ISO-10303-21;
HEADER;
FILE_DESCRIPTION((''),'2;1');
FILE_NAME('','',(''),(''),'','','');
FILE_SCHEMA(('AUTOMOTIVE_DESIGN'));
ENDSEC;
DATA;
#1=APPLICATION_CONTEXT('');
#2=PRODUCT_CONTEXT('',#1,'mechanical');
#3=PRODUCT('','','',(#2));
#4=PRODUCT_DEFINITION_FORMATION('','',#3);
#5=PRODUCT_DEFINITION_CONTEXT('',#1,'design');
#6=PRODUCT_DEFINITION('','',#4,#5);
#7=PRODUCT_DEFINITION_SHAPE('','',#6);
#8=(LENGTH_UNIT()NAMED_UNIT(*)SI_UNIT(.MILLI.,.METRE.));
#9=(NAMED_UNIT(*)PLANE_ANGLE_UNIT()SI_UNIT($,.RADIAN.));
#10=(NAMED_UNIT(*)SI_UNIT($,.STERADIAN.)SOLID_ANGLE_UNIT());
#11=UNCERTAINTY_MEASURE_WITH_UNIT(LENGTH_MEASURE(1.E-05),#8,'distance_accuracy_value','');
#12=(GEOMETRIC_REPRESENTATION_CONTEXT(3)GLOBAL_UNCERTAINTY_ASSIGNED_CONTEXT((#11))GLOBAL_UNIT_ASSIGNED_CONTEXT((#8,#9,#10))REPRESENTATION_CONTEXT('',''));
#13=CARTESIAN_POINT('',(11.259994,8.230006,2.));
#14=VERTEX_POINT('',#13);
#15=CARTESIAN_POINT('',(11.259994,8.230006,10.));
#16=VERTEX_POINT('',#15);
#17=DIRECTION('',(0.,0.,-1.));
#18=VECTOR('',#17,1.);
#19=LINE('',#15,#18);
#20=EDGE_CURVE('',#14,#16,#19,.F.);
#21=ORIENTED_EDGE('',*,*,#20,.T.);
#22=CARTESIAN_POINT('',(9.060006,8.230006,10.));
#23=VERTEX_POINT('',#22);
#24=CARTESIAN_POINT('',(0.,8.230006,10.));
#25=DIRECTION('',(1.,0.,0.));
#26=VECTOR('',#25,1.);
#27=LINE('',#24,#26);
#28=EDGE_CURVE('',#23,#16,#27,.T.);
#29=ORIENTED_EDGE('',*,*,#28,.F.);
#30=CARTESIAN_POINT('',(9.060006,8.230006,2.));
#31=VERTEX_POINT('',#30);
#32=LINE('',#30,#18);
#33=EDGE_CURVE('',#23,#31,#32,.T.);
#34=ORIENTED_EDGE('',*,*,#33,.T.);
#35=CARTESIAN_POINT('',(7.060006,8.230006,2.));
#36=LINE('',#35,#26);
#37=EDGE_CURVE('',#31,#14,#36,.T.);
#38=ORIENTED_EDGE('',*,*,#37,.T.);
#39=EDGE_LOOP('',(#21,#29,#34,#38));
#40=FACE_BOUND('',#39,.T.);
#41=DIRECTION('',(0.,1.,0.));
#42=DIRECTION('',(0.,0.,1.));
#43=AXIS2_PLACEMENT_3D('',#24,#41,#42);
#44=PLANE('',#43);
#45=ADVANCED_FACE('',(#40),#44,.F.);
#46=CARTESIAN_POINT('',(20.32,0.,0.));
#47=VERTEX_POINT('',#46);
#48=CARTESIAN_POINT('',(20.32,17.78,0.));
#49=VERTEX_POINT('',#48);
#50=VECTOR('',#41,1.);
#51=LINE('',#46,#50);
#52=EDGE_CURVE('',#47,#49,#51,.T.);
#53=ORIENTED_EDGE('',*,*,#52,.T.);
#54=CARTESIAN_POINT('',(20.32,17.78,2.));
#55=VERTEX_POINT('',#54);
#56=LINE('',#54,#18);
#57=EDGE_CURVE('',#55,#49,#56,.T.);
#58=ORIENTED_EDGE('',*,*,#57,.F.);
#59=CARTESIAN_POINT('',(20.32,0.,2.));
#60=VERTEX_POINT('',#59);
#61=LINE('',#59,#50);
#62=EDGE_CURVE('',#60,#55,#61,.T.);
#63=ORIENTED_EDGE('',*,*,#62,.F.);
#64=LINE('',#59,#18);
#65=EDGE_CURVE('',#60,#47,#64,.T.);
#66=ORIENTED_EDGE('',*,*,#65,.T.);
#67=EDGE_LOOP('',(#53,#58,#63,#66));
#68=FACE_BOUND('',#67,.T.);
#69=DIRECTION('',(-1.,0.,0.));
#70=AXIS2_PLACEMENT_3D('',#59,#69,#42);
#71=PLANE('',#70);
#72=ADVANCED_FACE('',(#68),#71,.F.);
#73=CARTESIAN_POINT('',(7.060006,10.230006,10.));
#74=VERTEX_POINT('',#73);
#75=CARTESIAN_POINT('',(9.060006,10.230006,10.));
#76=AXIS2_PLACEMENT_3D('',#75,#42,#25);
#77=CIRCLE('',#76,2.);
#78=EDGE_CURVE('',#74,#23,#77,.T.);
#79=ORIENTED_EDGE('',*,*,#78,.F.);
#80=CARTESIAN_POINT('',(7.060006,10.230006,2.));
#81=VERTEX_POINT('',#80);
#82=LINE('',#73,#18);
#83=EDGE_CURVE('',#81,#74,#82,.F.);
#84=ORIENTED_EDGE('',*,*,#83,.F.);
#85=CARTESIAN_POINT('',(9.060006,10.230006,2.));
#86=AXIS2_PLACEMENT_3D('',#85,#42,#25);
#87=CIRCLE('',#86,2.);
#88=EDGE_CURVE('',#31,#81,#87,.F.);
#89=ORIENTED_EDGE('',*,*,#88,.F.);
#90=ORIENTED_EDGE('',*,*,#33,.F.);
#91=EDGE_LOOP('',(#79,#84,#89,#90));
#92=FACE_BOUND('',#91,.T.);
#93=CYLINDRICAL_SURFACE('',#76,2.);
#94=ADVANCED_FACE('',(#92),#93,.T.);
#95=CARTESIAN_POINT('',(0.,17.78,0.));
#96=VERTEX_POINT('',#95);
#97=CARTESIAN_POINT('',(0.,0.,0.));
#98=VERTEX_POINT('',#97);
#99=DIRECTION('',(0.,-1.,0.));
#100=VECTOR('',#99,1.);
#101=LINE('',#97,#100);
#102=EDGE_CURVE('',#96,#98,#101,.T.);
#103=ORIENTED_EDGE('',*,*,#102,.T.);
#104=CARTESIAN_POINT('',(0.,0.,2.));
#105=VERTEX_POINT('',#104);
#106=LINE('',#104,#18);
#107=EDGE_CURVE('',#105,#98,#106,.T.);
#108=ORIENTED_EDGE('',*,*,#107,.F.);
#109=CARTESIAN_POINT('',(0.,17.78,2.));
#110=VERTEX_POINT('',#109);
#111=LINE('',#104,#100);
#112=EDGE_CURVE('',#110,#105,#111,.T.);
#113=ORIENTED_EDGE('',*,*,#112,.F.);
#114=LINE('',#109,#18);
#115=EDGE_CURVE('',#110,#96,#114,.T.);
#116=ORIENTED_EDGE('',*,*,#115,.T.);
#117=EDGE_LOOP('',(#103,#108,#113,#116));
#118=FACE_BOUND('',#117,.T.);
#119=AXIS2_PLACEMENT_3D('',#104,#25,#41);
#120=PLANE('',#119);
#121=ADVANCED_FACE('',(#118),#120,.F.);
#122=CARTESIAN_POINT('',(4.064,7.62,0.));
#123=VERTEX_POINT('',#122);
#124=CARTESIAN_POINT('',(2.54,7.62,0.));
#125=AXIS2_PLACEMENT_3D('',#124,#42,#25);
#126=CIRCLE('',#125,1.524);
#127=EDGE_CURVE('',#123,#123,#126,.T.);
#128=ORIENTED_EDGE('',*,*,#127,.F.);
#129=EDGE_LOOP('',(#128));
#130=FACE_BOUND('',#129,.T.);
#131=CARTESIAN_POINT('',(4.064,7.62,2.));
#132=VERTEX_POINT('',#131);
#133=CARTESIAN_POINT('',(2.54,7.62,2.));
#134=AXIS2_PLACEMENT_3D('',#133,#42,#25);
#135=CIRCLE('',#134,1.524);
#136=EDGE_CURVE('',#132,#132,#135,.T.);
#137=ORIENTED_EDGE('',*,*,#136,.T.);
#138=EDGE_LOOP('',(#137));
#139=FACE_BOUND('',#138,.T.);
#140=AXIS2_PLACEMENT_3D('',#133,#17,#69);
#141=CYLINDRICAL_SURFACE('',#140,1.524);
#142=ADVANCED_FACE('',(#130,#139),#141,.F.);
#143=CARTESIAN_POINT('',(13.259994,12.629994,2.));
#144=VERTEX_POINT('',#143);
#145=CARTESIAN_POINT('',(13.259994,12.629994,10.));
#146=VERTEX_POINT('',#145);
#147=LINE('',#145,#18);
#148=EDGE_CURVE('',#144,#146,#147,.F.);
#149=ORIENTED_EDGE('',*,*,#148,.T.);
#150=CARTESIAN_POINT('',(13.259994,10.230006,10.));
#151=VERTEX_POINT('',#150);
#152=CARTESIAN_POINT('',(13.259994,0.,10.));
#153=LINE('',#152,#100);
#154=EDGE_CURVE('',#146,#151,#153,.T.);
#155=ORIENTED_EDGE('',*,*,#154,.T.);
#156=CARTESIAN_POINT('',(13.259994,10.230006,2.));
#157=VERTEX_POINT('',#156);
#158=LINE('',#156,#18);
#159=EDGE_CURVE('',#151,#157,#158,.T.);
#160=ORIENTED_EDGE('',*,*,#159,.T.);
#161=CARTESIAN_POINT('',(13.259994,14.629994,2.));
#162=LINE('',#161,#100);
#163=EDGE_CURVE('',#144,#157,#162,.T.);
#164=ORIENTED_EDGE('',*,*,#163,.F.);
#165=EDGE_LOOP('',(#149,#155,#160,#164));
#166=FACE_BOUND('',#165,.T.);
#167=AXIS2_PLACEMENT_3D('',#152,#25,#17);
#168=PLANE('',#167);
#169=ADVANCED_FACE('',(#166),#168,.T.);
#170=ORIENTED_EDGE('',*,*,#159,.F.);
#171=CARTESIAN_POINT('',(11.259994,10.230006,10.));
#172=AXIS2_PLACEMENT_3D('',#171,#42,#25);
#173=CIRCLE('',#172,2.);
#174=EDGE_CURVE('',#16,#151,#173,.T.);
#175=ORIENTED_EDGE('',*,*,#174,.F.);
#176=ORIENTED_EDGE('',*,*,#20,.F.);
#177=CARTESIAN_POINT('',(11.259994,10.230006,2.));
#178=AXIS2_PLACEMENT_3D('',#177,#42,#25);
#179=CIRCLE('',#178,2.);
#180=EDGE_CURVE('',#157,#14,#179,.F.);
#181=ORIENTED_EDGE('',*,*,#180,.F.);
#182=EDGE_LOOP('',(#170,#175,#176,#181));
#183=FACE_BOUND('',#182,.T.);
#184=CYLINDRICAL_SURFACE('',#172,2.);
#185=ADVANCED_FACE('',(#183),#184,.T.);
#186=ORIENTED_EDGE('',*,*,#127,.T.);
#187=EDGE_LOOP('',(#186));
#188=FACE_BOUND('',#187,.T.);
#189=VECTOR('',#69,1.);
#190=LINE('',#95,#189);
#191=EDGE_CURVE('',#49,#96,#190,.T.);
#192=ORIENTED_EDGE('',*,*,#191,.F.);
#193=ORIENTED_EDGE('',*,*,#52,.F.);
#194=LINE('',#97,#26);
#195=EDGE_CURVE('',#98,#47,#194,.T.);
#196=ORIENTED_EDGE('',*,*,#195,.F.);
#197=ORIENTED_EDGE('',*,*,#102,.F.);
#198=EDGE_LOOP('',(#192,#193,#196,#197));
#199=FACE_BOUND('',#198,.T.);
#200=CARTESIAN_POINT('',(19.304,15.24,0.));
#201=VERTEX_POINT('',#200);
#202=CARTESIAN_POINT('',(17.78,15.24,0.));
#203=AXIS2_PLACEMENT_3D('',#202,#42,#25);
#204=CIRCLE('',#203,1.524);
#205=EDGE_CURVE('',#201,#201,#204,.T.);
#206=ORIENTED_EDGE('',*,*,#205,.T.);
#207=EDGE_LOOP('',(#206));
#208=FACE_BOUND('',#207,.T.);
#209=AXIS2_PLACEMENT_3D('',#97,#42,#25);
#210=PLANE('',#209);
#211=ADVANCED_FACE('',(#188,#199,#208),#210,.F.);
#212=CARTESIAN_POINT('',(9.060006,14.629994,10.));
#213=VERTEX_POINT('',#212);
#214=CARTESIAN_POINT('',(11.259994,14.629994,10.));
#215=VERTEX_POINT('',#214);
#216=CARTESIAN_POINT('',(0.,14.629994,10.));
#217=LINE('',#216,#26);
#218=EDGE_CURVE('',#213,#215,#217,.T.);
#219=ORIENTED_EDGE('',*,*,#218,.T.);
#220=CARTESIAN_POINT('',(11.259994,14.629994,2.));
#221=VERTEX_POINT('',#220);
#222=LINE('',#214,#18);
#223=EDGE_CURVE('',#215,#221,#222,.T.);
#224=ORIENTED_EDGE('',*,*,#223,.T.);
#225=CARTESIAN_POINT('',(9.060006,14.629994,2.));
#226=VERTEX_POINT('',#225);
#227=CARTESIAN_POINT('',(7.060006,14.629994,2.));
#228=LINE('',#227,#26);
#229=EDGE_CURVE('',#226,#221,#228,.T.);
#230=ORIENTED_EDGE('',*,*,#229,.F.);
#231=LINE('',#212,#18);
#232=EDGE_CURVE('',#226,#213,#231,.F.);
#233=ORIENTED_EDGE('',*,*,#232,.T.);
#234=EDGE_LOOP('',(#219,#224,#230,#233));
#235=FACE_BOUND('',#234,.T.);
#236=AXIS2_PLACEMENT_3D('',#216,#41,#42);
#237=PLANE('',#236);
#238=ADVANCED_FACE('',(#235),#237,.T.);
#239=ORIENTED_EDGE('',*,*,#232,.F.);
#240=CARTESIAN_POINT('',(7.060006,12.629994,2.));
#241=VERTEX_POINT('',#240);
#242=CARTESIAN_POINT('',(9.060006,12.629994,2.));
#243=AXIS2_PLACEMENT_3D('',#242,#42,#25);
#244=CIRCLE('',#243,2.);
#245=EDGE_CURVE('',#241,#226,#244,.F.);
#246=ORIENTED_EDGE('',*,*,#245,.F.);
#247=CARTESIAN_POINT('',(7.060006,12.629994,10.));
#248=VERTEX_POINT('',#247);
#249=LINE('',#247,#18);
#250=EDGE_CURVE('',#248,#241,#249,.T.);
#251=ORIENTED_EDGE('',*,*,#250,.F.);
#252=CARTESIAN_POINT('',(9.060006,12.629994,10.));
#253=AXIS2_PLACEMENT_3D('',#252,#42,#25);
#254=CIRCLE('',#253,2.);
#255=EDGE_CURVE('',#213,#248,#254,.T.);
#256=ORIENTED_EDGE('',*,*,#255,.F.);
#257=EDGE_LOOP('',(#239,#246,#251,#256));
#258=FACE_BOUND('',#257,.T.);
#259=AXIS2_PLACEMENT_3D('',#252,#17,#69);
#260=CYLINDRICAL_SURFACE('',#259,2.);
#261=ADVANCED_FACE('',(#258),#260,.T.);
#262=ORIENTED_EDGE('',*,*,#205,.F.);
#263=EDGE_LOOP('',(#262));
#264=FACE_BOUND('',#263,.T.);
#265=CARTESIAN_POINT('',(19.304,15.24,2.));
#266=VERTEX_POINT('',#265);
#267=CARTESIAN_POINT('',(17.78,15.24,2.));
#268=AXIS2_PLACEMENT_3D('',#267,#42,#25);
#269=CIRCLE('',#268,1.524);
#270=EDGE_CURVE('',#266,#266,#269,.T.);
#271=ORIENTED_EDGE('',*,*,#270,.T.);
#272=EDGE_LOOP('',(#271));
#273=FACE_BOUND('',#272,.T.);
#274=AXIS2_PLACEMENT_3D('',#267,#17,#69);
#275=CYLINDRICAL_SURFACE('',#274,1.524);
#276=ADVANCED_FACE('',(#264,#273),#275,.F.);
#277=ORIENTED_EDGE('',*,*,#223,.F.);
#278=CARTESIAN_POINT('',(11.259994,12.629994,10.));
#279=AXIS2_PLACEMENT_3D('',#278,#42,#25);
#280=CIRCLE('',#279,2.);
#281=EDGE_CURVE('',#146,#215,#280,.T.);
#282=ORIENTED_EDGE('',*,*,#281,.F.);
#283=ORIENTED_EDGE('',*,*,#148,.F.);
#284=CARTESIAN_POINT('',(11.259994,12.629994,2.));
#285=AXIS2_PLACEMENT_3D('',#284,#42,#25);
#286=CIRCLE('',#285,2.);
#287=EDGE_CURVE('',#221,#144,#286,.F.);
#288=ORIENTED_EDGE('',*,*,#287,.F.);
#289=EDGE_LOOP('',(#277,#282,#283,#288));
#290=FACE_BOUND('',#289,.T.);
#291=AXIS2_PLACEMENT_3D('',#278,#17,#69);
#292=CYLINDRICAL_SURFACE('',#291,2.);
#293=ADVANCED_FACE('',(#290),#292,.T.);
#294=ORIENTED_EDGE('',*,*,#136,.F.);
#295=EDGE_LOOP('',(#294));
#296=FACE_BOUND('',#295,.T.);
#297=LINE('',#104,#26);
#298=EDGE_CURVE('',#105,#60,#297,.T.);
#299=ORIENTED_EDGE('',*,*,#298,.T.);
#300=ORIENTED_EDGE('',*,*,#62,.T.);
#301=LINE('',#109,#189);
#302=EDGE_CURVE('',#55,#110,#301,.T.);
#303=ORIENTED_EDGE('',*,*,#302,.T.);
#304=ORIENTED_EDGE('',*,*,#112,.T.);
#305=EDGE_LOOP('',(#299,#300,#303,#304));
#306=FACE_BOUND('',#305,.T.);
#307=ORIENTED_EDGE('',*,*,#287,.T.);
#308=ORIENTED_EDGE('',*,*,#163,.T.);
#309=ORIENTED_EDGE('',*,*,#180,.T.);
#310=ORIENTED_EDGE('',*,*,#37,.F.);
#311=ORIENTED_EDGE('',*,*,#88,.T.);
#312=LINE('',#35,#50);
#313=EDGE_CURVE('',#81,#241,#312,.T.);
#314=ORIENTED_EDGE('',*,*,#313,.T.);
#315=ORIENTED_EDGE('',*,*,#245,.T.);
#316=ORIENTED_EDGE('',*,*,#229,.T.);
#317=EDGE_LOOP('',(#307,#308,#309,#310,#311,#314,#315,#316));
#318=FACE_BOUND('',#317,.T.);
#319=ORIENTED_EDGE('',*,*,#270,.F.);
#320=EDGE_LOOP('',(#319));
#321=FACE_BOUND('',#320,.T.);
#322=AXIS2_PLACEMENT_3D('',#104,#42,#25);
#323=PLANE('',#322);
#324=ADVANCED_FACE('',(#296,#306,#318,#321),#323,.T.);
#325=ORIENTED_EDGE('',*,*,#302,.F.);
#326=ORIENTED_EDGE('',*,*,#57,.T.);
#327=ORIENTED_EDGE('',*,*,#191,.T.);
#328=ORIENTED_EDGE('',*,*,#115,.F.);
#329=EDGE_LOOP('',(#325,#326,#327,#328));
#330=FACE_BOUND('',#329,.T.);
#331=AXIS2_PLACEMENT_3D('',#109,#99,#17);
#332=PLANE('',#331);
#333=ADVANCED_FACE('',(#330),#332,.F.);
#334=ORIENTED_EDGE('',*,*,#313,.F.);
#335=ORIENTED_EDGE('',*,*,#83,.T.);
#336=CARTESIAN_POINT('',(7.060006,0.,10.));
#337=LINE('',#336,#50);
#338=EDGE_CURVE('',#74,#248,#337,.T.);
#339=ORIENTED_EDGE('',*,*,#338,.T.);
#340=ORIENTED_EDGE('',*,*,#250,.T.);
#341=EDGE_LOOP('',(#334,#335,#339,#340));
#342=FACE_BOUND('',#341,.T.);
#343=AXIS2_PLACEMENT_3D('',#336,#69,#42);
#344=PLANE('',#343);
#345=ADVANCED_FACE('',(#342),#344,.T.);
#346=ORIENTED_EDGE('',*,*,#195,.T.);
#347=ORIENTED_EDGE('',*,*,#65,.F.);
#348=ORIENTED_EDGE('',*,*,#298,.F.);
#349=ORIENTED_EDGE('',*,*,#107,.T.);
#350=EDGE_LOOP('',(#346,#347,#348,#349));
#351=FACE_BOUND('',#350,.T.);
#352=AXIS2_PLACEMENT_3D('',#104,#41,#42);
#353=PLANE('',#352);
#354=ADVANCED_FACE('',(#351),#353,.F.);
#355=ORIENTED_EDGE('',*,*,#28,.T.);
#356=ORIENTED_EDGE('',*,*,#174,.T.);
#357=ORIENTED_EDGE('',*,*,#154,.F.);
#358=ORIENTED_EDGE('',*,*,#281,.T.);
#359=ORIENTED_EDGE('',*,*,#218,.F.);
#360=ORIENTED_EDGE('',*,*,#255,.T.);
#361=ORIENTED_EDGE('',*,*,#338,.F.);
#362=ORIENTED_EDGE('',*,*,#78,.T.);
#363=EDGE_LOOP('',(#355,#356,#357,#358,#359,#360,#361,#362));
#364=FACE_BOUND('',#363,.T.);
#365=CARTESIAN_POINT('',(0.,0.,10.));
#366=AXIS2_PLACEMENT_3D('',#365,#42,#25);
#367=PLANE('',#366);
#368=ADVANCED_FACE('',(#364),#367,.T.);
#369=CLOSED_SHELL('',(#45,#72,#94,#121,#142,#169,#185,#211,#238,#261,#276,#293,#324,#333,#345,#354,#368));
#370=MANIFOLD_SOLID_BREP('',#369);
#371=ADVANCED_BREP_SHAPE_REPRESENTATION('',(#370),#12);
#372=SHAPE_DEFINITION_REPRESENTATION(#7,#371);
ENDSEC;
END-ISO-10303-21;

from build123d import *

# Parameters (mm, degrees)
MODEL_W             = 20.32
MODEL_H             = 17.78
MODEL_R             = 1.524
MODEL_W_2           = 6.1999876
MODEL_H_2           = 6.3999872
BOSS_EXTRUDE1_DEPTH = 2
MODEL_3_W           = 6.1999876
MODEL_3_H           = 6.3999872
BOSS_EXTRUDE2_DEPTH = 10
FILLET1_R           = 2


with BuildPart() as part:
    # Model → Boss-Extrude1 (new body)
    with BuildSketch(Plane.XY):
        with Locations((10.16, 8.89)):
            Rectangle(MODEL_W, MODEL_H)
        with Locations((2.54, 7.62)):
            Circle(MODEL_R, mode=Mode.SUBTRACT)
        with Locations((17.78, 15.24)):
            Circle(MODEL_R, mode=Mode.SUBTRACT)
        with Locations((10.16, 11.43)):
            Rectangle(MODEL_W_2, MODEL_H_2, mode=Mode.SUBTRACT)
    extrude(amount=BOSS_EXTRUDE1_DEPTH)

    # Model<3> → Boss-Extrude2 (add)
    with BuildSketch(Plane.XY):
        with Locations((10.16, 11.43)):
            Rectangle(MODEL_3_W, MODEL_3_H)
    extrude(amount=BOSS_EXTRUDE2_DEPTH)

    # Fillet1
    fillet1_edges = [part.edges().sort_by_distance(p)[0] for p in [
        (7.0600062, 14.6299936, 6),
        (7.0600062, 8.2300064, 6),
        (13.2599938, 8.2300064, 6),
        (13.2599938, 14.6299936, 6),
    ]]
    fillet(fillet1_edges, radius=FILLET1_R)


solid = part.part
